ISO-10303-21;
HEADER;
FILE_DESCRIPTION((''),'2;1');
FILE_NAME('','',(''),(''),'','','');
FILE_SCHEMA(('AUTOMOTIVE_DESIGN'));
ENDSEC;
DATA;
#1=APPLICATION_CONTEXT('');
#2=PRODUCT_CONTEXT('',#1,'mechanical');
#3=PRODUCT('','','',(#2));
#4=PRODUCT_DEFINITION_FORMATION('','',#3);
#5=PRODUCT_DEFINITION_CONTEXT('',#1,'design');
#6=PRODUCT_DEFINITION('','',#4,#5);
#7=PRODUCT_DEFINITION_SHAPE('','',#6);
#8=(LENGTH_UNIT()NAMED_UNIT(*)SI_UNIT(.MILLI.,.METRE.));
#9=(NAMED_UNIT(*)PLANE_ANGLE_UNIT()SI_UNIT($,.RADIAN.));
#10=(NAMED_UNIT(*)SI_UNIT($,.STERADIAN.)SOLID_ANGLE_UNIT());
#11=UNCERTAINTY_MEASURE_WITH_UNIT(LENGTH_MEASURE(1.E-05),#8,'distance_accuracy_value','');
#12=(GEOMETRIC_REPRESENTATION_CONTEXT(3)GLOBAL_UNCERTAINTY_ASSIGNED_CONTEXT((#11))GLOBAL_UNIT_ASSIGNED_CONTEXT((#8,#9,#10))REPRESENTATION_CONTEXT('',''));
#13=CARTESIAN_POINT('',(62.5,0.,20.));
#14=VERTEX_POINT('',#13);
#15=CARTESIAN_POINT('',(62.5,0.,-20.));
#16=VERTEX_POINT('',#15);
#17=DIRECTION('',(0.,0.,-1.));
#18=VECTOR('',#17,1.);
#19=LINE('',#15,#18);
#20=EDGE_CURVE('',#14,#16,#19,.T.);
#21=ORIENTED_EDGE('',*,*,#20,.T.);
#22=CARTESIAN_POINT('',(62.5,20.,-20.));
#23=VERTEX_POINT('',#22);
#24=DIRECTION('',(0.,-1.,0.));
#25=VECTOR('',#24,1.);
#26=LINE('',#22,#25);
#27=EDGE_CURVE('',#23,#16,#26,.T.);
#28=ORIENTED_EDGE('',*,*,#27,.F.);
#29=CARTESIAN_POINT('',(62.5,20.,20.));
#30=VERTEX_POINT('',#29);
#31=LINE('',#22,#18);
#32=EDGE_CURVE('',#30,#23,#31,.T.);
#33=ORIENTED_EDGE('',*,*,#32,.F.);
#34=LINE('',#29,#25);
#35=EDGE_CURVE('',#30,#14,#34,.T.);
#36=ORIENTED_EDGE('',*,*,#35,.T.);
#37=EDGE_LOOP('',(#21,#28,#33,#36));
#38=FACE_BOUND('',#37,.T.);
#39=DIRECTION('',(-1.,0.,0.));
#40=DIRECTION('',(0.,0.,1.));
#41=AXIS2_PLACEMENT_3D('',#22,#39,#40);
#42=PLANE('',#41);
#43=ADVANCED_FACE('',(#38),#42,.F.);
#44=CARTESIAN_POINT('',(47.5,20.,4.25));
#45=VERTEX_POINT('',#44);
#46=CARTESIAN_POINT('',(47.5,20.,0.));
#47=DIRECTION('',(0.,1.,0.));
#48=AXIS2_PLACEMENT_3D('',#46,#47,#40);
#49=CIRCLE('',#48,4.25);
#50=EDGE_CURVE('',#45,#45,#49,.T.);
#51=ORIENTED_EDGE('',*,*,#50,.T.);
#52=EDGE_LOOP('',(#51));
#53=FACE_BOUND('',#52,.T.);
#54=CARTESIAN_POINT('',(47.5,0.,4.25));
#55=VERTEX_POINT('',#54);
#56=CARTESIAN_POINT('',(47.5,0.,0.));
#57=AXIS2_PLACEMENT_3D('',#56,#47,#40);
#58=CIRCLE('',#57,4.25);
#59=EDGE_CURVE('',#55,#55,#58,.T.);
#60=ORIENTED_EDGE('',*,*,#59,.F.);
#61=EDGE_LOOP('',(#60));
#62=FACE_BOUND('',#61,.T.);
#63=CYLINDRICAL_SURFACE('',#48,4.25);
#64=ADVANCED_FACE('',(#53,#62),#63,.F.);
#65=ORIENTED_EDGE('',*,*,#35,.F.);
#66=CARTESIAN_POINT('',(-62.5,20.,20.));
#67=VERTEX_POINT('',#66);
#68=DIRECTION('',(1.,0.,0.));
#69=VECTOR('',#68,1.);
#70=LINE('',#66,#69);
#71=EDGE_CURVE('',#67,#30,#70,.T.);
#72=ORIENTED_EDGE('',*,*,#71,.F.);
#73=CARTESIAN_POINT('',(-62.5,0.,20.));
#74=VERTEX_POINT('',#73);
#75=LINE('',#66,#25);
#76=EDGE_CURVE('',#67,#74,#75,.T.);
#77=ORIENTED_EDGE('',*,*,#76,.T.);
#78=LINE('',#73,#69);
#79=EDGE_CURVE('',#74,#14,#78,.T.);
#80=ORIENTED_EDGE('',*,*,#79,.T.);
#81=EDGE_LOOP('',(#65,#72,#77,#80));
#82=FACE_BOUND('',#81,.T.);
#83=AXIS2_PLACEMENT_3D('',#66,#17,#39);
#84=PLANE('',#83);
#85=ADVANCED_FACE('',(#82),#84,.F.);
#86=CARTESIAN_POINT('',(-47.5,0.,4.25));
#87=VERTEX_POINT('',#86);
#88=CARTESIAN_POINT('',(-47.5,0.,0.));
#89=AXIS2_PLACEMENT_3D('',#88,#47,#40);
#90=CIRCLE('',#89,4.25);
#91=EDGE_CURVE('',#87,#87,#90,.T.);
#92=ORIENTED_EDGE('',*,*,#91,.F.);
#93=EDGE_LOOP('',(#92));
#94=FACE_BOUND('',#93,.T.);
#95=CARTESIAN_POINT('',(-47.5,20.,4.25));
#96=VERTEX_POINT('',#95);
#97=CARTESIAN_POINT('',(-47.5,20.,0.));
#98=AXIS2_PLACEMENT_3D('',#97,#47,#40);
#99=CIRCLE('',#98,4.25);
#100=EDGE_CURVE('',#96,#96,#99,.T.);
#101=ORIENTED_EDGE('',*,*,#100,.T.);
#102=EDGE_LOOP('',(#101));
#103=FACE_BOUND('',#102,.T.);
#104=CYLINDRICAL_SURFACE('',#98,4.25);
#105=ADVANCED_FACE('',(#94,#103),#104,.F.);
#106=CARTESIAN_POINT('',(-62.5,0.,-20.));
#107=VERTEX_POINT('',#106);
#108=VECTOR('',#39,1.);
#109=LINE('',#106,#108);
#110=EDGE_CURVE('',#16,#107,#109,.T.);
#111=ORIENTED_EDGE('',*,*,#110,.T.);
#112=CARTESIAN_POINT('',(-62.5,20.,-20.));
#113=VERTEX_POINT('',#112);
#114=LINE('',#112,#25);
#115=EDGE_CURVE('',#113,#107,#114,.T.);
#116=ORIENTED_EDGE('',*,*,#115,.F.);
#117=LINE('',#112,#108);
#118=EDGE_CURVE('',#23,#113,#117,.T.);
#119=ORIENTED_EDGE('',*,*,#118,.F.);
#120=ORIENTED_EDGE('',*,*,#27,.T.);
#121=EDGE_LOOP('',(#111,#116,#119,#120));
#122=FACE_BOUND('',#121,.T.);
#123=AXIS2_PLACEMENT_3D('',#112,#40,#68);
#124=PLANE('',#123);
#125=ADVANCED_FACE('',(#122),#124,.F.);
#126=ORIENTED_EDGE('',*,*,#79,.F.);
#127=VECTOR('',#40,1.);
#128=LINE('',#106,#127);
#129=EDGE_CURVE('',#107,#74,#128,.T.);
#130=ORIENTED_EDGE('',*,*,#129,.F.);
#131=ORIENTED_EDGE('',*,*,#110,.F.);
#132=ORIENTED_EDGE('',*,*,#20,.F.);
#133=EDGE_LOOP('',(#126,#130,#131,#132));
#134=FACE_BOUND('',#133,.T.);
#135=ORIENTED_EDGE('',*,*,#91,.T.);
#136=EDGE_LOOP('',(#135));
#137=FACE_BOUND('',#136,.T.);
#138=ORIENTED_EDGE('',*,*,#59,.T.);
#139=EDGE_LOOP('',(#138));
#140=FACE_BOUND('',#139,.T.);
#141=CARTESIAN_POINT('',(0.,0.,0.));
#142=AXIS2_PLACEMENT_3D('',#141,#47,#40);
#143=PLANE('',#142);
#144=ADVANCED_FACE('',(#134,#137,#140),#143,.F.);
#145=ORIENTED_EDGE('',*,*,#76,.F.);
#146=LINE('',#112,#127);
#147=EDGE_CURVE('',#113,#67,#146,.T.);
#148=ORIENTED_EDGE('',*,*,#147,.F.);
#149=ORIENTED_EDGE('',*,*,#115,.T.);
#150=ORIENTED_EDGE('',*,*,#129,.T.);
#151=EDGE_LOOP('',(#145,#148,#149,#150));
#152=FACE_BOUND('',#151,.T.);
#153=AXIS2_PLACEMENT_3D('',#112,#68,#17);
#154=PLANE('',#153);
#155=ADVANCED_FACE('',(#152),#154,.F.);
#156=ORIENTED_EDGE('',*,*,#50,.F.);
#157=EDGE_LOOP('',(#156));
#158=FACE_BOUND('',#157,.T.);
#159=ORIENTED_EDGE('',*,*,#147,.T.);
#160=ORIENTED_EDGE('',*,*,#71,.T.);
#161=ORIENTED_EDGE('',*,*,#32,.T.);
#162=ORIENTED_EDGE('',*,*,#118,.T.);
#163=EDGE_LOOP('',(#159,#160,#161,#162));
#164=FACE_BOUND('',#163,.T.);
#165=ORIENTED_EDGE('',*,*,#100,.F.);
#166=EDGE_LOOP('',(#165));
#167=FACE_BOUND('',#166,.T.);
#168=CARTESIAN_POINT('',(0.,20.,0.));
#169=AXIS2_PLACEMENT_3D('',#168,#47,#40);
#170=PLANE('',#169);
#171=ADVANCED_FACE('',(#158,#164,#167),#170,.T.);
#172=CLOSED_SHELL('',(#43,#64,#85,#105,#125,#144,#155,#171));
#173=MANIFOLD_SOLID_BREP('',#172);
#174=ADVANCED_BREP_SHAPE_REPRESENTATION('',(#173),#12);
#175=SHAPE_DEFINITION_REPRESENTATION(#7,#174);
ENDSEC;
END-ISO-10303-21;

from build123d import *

# Parameters (mm, degrees)
SKETCH_1_W              = 125
SKETCH_1_H              = 40
EXTRUDE_1_DEPTH         = 20
HOLE_WIZARD_M10_1_D     = 8.5
HOLE_WIZARD_M10_1_DEPTH = 24.5
HOLE_WIZARD_M10_1_TIP   = 2.553657631


with BuildPart() as part:
    # 草图1 → 凸台-拉伸1 (new body)
    with BuildSketch(Plane(origin=(0, 0, 0), x_dir=(1, 0, 0), z_dir=(0, 1, 0))):
        Rectangle(SKETCH_1_W, SKETCH_1_H)
    extrude(amount=EXTRUDE_1_DEPTH)

    # M10 螺纹孔1
    with Locations(Plane(origin=(0, 20, 0), x_dir=(1, 0, 0), z_dir=(0, 1, 0))):
        with Locations((47.5, 0), (-47.5, 0)):
            Hole(HOLE_WIZARD_M10_1_D / 2, depth=HOLE_WIZARD_M10_1_DEPTH)
            with Locations((0, 0, -(HOLE_WIZARD_M10_1_DEPTH + HOLE_WIZARD_M10_1_TIP / 2))):  # 118° drill point
                Cone(0, HOLE_WIZARD_M10_1_D / 2, HOLE_WIZARD_M10_1_TIP, mode=Mode.SUBTRACT)


solid = part.part
